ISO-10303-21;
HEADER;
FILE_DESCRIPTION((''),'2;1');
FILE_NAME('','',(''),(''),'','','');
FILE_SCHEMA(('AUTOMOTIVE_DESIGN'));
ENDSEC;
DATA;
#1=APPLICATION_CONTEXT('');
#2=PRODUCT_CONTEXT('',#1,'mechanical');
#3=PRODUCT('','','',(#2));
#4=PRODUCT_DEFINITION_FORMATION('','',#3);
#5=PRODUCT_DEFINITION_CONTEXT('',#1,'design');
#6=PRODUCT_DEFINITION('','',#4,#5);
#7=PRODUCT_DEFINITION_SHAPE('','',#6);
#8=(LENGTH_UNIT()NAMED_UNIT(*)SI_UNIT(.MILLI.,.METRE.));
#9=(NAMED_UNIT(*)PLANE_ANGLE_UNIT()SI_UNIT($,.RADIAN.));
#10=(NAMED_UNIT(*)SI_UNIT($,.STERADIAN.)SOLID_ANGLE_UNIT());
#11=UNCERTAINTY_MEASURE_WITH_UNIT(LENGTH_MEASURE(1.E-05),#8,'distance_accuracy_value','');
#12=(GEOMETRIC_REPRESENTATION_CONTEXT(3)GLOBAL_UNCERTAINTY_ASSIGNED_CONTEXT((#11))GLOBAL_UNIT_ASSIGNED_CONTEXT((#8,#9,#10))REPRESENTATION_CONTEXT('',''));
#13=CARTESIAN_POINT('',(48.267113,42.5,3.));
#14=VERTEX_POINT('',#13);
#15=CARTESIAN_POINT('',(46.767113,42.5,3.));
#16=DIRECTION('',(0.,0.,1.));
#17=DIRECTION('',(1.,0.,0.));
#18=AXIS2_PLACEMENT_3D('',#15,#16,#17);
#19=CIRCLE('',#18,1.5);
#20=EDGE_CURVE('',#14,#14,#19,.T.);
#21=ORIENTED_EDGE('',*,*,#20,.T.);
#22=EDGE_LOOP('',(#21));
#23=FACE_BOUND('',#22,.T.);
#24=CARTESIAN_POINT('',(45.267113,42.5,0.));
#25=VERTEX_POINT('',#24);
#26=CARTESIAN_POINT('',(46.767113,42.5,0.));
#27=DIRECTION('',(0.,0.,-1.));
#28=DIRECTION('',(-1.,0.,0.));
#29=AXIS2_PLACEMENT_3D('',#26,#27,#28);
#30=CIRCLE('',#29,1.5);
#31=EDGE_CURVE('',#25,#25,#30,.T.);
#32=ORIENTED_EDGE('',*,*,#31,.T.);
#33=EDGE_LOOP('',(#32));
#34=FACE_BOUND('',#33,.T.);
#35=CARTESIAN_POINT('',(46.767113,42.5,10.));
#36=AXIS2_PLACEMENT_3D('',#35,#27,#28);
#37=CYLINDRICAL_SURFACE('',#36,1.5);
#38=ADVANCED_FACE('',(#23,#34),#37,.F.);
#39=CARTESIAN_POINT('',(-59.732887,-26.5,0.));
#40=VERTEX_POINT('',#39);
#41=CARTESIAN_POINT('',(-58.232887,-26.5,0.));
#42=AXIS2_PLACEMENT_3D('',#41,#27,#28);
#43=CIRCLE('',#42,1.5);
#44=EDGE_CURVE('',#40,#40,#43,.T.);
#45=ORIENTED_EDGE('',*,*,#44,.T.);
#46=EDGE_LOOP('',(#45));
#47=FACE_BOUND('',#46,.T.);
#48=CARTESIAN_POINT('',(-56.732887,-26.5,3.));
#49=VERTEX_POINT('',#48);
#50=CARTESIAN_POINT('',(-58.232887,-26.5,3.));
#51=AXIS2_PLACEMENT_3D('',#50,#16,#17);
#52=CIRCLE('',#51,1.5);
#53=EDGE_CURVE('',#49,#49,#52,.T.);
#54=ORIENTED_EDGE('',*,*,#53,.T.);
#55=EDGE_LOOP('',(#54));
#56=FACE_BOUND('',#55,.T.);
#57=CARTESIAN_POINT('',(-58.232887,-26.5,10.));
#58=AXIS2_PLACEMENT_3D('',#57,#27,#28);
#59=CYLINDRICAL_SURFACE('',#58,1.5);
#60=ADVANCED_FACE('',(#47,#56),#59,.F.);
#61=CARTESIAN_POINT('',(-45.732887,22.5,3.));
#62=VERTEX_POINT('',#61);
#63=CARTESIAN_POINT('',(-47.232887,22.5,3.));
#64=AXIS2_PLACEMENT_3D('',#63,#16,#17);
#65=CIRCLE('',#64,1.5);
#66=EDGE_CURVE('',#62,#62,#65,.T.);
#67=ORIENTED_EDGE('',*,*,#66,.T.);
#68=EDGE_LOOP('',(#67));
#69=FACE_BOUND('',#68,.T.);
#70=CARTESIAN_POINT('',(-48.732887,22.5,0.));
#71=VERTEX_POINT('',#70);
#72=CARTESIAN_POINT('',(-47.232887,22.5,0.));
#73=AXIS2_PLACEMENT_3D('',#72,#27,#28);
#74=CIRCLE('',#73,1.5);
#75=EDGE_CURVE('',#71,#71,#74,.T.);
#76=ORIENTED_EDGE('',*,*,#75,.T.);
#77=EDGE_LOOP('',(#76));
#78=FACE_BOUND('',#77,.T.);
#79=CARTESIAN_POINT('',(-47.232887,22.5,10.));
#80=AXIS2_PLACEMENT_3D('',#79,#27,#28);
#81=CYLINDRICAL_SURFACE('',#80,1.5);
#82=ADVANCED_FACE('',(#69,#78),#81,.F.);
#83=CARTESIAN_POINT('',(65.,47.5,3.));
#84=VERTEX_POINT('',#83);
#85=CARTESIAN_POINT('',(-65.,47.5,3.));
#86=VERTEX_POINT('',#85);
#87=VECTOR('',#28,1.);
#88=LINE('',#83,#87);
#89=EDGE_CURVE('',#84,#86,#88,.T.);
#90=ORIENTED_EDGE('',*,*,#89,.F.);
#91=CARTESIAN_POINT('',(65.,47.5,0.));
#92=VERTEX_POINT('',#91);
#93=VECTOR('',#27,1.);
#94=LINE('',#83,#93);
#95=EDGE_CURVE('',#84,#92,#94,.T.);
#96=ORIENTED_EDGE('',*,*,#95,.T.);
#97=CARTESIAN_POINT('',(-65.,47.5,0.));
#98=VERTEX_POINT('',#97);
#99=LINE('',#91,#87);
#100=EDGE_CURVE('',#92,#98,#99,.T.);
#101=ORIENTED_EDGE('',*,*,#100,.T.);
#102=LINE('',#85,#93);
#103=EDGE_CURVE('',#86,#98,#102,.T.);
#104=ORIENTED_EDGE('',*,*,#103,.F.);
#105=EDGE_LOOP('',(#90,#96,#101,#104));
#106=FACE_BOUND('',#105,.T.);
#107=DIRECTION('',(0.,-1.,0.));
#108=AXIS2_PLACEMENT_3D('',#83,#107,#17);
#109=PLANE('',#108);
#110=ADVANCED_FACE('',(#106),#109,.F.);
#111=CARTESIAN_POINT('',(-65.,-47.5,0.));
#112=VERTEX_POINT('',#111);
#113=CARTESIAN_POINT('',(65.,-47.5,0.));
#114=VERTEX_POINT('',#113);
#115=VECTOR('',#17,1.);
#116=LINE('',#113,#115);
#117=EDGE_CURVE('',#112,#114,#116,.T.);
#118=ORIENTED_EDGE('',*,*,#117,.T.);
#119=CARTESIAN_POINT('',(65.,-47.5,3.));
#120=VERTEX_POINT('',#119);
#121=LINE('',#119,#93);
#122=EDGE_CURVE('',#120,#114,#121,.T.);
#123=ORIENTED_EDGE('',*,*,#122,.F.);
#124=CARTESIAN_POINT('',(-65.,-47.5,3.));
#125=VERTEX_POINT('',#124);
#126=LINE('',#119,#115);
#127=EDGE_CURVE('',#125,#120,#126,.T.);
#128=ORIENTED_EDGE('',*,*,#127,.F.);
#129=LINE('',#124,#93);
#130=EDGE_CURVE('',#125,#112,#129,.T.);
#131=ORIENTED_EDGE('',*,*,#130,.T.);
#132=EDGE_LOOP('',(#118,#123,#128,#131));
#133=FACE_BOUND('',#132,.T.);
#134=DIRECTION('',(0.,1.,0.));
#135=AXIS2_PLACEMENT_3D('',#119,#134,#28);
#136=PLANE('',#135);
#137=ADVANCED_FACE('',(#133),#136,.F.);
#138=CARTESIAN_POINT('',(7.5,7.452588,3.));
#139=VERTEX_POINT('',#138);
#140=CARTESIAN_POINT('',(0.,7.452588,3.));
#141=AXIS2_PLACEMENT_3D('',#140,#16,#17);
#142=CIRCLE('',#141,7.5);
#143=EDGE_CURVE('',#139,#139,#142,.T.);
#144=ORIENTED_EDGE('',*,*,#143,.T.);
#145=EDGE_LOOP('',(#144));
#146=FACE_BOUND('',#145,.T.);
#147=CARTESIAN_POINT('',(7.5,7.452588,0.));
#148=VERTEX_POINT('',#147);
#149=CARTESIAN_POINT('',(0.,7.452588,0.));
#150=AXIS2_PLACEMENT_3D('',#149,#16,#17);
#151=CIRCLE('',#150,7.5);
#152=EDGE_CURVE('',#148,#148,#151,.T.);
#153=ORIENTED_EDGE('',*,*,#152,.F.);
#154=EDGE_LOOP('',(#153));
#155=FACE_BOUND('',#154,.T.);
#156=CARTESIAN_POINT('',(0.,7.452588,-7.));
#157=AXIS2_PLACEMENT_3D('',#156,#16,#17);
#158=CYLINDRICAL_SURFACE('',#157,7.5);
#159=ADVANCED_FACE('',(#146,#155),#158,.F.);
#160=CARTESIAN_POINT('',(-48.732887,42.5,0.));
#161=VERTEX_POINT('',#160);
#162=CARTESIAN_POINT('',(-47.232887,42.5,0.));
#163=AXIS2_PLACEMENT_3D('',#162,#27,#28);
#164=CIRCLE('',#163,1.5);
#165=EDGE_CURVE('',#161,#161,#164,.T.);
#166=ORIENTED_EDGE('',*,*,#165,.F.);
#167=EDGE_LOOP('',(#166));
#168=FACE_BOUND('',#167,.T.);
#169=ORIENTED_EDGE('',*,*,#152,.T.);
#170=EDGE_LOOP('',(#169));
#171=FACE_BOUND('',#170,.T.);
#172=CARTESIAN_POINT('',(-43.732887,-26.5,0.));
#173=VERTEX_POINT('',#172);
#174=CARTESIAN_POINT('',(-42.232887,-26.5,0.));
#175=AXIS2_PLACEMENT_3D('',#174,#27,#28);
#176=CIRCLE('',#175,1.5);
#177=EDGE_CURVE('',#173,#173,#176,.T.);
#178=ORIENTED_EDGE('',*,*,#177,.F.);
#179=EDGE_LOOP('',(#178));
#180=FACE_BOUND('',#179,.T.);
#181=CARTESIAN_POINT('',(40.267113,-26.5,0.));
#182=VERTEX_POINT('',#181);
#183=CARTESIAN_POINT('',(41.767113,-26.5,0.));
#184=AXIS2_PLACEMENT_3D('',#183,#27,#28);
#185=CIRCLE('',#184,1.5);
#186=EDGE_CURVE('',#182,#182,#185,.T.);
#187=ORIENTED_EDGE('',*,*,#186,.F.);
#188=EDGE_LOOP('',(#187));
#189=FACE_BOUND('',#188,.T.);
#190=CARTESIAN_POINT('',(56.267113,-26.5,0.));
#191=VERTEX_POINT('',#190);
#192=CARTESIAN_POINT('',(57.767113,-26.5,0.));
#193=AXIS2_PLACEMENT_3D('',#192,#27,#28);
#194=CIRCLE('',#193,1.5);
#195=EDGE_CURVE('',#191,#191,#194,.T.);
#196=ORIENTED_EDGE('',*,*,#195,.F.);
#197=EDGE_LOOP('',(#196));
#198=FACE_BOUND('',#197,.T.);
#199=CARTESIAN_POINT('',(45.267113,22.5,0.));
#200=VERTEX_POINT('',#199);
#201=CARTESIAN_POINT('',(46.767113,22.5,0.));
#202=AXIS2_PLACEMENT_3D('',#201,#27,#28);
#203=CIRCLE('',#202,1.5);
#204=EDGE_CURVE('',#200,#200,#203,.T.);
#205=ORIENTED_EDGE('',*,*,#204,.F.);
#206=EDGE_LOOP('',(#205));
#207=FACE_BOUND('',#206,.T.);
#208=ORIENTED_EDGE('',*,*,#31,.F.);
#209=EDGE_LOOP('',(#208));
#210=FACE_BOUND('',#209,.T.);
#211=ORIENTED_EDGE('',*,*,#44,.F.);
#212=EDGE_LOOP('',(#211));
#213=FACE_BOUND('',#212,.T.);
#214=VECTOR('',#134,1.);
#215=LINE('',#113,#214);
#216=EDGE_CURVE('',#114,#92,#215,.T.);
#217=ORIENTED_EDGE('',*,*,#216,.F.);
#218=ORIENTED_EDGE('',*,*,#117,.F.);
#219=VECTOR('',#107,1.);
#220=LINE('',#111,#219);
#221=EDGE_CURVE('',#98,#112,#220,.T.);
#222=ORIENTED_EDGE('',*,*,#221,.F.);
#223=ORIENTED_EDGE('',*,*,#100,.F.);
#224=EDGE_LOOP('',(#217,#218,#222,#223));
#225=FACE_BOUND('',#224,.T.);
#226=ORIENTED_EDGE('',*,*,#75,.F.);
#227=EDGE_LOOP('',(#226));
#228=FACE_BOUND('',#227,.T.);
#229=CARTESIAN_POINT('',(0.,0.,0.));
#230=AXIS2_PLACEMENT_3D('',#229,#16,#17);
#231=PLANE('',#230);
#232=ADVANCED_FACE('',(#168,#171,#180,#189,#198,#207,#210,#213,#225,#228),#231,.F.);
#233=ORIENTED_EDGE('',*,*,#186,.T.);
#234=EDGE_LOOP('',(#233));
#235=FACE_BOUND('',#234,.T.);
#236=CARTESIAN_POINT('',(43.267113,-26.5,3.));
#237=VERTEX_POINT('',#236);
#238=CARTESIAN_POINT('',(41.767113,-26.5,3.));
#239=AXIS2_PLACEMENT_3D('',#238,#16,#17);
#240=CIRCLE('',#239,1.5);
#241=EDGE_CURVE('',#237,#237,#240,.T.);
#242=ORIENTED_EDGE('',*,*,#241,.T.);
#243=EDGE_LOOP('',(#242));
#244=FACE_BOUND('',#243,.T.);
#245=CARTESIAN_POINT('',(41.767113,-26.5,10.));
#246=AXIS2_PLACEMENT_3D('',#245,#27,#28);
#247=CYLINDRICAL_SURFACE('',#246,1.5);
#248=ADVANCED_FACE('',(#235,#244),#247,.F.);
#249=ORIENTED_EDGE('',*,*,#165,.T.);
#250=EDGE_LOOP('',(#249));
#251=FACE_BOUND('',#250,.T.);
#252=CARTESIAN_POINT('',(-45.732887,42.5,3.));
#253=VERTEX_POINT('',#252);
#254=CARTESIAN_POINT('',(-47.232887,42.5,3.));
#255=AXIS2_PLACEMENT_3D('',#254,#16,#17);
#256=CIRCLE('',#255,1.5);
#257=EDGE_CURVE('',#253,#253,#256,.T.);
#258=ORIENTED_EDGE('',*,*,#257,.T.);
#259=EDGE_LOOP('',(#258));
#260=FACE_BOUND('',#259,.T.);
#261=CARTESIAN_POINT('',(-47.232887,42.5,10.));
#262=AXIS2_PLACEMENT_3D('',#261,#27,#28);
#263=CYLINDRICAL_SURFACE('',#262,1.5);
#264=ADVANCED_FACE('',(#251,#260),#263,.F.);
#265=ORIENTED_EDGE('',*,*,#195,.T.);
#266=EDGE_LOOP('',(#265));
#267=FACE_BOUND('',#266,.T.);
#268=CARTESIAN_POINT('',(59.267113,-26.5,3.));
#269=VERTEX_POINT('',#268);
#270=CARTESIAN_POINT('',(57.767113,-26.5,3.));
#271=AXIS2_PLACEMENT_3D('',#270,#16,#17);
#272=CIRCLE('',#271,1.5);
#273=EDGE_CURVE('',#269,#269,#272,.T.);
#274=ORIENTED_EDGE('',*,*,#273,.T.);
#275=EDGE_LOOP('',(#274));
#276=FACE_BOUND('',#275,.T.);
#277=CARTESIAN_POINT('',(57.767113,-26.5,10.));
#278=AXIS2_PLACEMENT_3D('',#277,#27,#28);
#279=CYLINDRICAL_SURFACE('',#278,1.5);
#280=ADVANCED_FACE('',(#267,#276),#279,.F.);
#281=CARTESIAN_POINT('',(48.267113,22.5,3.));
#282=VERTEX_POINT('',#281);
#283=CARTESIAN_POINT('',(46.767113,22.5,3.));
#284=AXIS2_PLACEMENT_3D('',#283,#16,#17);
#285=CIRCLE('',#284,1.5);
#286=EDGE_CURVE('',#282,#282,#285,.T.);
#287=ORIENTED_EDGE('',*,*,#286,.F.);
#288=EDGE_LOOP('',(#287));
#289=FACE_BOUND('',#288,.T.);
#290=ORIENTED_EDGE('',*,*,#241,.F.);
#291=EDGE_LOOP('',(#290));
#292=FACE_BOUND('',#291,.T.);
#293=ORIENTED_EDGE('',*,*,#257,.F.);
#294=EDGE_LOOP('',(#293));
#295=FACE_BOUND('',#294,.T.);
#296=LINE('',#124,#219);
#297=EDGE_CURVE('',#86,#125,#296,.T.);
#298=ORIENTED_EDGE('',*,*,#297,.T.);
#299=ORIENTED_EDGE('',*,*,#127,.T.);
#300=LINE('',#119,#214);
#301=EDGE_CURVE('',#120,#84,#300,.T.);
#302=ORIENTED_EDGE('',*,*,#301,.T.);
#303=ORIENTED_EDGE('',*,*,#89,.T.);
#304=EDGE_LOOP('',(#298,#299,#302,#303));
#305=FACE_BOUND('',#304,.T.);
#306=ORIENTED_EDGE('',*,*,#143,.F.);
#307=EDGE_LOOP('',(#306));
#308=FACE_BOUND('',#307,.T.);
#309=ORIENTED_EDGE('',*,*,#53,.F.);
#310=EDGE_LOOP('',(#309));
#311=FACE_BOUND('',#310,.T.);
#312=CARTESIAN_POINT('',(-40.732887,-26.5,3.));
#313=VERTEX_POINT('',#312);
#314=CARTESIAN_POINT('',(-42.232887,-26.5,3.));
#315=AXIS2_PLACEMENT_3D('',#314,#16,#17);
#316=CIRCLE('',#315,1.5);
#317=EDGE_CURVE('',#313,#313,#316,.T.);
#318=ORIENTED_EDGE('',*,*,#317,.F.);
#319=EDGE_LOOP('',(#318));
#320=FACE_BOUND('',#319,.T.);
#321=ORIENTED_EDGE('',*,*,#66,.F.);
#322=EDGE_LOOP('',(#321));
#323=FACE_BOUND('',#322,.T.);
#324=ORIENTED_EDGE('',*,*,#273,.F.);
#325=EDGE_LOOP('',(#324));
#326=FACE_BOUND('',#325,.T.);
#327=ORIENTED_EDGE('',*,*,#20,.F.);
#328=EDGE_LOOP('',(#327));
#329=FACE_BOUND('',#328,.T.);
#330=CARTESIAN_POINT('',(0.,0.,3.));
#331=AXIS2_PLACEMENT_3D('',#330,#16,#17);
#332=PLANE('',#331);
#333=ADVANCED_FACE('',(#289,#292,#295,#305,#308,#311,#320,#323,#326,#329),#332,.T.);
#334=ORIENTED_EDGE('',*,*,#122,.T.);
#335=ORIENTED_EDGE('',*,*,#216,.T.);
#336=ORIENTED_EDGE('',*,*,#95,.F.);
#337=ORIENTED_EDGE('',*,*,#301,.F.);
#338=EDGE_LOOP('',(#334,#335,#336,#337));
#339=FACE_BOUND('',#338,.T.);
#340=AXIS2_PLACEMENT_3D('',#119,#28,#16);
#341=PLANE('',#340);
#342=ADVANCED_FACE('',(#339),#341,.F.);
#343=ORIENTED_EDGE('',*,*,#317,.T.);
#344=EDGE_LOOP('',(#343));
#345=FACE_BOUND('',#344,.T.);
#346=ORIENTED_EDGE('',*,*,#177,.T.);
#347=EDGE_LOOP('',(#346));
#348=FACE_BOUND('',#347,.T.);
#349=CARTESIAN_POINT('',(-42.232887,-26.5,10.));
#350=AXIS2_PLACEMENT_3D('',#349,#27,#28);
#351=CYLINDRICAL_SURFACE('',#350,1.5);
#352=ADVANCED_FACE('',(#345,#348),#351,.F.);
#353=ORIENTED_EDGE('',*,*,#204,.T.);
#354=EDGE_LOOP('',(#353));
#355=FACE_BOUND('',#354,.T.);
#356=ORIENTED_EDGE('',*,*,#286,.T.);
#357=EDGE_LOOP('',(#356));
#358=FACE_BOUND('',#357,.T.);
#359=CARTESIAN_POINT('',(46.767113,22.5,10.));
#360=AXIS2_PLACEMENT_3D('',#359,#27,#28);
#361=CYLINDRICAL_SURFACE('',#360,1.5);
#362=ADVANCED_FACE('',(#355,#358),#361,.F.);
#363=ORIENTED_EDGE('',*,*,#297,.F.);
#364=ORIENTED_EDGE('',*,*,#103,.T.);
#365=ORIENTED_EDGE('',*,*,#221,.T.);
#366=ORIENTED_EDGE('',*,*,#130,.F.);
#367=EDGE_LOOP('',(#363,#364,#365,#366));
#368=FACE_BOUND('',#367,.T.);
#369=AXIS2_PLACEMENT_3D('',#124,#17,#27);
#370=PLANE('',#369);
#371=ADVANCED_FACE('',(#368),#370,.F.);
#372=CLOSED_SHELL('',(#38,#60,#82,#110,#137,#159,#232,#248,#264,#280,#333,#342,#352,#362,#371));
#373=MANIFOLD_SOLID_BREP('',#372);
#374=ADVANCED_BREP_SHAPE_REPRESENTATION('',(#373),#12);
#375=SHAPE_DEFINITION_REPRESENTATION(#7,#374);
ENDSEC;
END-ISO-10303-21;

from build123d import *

# Parameters (mm, degrees)
SKETCH_1_W          = 130
SKETCH_1_H          = 95
EXTRUDE_1_DEPTH     = 3
SKETCH_3_R          = 1.5
CUT_EXTRUDE_2_DEPTH = 10
SKETCH_4_R          = 1.5
CUT_EXTRUDE_3_DEPTH = 10
SKETCH_5_R          = 7.5
CUT_EXTRUDE_4_DEPTH = 10


with BuildPart() as part:
    # 草图1 → 凸台-拉伸1 (new body)
    with BuildSketch(Plane.XY):
        Rectangle(SKETCH_1_W, SKETCH_1_H)
    extrude(amount=EXTRUDE_1_DEPTH)

    # 草图3 → 切除-拉伸2 (cut)
    with BuildSketch(Plane(origin=(0, 0, 0), x_dir=(-1, 0, 0), z_dir=(0, 0, -1))):
        with Locations((-57.767112616, -26.5)):
            Circle(SKETCH_3_R)
        with Locations((-41.767112616, -26.5)):
            Circle(SKETCH_3_R)
        with Locations((42.232887384, -26.5)):
            Circle(SKETCH_3_R)
        with Locations((58.232887384, -26.5)):
            Circle(SKETCH_3_R)
    extrude(amount=-CUT_EXTRUDE_2_DEPTH, mode=Mode.SUBTRACT)

    # 草图4 → 切除-拉伸3 (cut)
    with BuildSketch(Plane(origin=(0, 0, 0), x_dir=(-1, 0, 0), z_dir=(0, 0, -1))):
        with Locations((-46.767112616, 42.5)):
            Circle(SKETCH_4_R)
        with Locations((-46.767112616, 22.5)):
            Circle(SKETCH_4_R)
        with Locations((47.232887384, 42.5)):
            Circle(SKETCH_4_R)
        with Locations((47.232887384, 22.5)):
            Circle(SKETCH_4_R)
    extrude(amount=-CUT_EXTRUDE_3_DEPTH, mode=Mode.SUBTRACT)

    # 草图5 → 切除-拉伸4 (cut)
    with BuildSketch(Plane.XY.offset(3)):
        with Locations((0, 7.452587902)):
            Circle(SKETCH_5_R)
    extrude(amount=-CUT_EXTRUDE_4_DEPTH, mode=Mode.SUBTRACT)


solid = part.part
